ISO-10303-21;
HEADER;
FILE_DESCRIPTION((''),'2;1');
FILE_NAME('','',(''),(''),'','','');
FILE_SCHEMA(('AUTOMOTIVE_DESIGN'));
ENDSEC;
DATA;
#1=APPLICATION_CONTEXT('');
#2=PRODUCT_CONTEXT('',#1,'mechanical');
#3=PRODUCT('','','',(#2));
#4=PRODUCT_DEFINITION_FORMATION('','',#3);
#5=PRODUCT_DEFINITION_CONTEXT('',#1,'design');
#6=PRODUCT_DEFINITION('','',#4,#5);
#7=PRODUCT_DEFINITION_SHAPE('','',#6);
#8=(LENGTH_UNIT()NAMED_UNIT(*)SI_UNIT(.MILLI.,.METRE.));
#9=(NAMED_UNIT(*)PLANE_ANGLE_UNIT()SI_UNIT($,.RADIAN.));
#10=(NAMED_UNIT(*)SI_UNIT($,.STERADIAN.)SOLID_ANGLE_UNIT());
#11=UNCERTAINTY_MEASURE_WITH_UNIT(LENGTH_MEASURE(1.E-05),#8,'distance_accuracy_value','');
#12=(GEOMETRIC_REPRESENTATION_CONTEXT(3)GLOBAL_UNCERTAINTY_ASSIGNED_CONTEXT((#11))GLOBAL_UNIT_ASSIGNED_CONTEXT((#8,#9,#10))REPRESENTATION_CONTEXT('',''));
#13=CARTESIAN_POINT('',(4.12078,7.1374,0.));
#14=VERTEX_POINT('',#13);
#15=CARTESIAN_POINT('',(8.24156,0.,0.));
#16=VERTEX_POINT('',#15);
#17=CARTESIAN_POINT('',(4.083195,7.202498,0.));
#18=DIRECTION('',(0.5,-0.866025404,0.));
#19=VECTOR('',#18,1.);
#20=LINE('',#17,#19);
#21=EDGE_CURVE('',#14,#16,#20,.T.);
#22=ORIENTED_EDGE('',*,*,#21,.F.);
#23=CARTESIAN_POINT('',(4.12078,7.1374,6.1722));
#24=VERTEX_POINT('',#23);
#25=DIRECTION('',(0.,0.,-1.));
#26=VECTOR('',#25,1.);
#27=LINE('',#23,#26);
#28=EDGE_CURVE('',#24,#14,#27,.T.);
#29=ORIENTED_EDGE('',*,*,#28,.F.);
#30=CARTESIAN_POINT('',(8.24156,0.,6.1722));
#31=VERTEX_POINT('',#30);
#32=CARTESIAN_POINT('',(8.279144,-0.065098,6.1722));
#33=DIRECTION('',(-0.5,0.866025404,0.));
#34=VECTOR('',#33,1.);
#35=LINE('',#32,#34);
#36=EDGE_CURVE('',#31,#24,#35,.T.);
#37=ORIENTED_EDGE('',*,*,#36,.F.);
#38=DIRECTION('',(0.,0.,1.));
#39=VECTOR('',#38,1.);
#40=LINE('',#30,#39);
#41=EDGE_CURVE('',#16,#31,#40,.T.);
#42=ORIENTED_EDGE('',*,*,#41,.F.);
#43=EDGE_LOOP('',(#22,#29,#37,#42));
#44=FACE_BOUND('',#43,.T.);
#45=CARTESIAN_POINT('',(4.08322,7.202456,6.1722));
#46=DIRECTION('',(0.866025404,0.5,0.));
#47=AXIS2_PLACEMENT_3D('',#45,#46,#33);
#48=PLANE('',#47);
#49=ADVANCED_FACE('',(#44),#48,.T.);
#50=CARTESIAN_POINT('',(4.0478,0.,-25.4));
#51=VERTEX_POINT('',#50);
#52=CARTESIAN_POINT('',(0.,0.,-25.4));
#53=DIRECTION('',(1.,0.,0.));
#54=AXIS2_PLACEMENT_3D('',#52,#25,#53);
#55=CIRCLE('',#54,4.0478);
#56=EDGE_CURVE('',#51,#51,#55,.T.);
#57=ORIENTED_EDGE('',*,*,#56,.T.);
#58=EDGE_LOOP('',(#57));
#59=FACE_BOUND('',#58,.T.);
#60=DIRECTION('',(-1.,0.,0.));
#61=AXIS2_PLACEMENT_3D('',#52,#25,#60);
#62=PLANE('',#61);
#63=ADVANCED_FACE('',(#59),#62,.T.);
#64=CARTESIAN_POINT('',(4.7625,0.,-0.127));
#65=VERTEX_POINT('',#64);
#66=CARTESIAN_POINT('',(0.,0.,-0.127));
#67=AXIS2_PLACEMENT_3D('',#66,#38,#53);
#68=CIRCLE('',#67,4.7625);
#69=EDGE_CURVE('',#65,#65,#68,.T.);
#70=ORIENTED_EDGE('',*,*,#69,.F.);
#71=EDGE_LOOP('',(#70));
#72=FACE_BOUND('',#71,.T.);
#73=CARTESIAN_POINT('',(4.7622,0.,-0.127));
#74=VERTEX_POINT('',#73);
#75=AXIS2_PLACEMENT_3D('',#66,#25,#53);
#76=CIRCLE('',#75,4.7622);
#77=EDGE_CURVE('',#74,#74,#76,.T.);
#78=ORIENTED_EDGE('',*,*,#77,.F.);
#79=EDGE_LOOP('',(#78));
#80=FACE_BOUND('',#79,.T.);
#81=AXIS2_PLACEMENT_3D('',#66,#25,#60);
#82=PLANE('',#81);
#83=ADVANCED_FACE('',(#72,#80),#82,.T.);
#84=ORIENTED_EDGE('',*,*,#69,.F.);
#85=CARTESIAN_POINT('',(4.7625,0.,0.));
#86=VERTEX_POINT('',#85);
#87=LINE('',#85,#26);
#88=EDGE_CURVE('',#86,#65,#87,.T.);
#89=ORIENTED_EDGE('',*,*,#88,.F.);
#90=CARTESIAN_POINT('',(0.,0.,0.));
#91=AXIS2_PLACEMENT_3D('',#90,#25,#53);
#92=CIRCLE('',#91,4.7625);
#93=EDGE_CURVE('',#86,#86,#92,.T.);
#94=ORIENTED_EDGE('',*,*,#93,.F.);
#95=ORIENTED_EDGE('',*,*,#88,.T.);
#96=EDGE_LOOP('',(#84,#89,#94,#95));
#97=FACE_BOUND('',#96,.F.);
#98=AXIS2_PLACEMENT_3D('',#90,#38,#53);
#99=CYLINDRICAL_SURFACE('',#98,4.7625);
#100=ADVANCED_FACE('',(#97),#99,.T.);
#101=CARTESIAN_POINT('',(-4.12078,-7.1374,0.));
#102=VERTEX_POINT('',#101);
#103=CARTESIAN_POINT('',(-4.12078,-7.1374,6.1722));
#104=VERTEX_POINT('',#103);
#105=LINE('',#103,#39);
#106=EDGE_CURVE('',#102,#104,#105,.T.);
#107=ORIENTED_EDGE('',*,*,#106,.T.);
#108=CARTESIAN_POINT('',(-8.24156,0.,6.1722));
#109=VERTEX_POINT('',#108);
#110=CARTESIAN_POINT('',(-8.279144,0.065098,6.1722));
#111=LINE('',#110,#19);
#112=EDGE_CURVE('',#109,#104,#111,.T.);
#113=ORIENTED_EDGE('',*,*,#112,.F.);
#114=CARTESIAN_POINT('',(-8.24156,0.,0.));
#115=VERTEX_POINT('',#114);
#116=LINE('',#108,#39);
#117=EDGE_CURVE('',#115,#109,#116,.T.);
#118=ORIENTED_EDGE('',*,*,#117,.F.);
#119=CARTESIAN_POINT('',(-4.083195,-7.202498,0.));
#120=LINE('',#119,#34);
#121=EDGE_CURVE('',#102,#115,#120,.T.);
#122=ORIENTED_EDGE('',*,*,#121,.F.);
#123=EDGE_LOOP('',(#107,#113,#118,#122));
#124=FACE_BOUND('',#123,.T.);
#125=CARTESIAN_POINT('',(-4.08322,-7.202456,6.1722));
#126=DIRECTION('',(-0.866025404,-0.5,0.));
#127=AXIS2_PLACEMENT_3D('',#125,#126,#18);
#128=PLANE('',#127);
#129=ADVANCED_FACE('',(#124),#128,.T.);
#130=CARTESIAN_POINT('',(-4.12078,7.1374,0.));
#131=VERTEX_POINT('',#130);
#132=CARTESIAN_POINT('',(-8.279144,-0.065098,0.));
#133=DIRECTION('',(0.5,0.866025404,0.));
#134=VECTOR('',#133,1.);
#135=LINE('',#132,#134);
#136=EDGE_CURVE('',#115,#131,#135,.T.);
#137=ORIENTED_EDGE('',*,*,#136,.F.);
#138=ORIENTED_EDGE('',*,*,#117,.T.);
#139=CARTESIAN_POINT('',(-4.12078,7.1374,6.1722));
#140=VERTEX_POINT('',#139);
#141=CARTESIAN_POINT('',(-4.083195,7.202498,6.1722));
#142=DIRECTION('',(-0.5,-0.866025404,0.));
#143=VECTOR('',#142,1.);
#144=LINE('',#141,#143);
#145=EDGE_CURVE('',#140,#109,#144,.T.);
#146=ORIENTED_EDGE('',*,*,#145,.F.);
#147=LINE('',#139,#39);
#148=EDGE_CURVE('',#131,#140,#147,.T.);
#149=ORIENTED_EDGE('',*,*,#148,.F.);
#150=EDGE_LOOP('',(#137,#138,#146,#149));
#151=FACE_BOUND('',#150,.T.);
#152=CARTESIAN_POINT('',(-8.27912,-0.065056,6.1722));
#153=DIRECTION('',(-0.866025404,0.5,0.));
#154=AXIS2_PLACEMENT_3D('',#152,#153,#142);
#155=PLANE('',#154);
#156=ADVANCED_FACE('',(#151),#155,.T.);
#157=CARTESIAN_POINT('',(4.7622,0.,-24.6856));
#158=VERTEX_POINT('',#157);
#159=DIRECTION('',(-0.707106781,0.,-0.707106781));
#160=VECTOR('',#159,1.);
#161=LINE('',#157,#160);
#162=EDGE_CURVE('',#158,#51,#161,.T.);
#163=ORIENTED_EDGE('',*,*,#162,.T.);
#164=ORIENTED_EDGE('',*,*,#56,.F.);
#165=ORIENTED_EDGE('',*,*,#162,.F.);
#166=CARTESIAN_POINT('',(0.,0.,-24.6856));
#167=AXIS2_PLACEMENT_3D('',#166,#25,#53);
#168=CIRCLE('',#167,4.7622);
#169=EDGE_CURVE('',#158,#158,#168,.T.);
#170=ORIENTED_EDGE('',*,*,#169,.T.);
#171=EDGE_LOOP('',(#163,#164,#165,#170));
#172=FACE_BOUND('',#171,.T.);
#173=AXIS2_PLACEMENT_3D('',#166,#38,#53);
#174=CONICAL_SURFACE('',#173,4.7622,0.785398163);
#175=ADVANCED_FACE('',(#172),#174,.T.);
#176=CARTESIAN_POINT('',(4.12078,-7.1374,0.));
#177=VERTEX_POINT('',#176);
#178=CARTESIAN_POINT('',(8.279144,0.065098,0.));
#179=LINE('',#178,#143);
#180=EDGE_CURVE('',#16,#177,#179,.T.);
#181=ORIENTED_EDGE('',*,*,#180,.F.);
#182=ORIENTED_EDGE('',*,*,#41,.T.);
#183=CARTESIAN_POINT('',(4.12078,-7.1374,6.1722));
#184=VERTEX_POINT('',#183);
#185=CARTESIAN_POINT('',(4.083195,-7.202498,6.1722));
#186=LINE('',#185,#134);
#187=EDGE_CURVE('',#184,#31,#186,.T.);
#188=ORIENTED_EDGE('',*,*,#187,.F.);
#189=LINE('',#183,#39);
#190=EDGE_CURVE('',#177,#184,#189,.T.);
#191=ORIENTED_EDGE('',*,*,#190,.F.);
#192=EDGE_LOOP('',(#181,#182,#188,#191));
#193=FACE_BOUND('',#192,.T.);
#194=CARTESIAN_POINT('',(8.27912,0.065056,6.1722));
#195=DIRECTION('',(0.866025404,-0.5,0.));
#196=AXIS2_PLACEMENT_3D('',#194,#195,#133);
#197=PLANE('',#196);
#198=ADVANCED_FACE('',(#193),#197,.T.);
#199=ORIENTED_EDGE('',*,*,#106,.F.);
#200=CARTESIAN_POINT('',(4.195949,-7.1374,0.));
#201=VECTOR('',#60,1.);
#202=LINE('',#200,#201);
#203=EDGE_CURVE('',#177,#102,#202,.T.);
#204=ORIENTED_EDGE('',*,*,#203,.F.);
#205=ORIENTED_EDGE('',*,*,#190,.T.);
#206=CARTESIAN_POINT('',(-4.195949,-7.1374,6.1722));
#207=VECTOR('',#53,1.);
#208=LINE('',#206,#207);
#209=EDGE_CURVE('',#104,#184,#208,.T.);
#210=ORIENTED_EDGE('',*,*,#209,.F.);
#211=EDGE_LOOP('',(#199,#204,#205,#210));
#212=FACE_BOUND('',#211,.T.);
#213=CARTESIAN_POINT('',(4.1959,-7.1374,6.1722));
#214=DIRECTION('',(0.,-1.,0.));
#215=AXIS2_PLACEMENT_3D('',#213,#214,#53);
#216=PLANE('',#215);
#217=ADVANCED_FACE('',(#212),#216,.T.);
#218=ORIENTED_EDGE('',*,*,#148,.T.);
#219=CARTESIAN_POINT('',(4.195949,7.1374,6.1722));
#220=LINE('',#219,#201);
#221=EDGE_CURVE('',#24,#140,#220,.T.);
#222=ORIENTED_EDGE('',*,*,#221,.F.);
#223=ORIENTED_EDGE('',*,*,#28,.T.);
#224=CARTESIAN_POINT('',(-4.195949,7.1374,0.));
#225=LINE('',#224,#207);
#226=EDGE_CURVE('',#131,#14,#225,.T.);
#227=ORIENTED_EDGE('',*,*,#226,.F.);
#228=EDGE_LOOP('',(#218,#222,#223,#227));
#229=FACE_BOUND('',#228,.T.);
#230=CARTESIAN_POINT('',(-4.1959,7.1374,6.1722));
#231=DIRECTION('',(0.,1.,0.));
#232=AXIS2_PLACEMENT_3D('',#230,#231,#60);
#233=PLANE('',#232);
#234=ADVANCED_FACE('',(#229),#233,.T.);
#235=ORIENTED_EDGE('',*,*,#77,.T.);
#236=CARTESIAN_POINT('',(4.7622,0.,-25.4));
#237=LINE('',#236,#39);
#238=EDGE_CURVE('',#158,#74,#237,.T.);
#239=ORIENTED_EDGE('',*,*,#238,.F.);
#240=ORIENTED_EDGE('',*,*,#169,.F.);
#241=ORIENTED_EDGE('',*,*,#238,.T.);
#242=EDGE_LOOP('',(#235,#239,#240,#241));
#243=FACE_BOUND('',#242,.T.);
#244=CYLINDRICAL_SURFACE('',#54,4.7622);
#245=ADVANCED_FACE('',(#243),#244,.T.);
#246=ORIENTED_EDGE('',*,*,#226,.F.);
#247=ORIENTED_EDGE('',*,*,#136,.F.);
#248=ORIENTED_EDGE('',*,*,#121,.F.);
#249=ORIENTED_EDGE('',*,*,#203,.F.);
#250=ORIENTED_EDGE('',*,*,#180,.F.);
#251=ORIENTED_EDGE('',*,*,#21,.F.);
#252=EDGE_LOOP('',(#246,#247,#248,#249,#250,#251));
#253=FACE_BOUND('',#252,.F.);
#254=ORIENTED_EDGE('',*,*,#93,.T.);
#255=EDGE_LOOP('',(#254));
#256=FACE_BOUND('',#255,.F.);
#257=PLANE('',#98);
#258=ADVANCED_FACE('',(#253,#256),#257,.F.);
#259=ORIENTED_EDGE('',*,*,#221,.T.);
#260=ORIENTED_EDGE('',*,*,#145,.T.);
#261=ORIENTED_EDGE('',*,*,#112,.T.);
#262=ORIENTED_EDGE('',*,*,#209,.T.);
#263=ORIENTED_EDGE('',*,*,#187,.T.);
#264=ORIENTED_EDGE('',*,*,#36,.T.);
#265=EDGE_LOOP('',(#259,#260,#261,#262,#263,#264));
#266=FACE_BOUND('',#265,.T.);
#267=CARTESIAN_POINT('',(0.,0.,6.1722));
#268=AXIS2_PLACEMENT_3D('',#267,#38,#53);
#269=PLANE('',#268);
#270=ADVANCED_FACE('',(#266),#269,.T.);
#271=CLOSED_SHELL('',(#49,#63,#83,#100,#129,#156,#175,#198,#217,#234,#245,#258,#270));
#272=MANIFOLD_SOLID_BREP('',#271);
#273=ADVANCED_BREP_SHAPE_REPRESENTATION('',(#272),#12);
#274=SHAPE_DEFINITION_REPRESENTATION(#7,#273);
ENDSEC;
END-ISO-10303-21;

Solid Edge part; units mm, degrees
sketch "Sketch1" plane through (0, 0, 0) normal (0, 0, 1) x (1, 0, 0)
  circle A0 centre (0, 0) radius 8.2794
  dimension "D1" = 16.5588
extrude "Protrusion1" add sketch "Sketch1" along normal blind 6.1722
sketch "Sketch2" plane through (0, 0, 0) normal (0, 0, -1) x (1, 0, 0)
  circle A0 centre (0, 0) radius 4.7625
extrude "Protrusion2" add sketch "Sketch2" along normal blind 25.4
sketch "Sketch3" plane through (0, 0, -25.4) normal (0, 0, -1) x (1, 0, 0)
  circle A0 centre (0, 0) radius 4.7622
extrude "Cutout1" cut sketch "Sketch3" against normal blind 25.273 flip side to cut
chamfer "Chamfer_1" distance 0.7144 angle 45 1 edges at (-4.7622, 0, -25.4)
sketch "Sketch4" plane through (0, 0, 6.1722) normal (0, 0, 1) x (1, 0, 0)
  line L0 (-4.1959, 7.1374) -> (4.1959, 7.1374)
  dimension "D1" = 14.2748
extrude "Cutout2" cut sketch "Sketch4" against normal up to next material side at (0, 7.1874, 6.1722)
pattern_circular "Pattern1" count 6 over 360 about axis through (0, 0, 6.1722) along (0, 0, 1) of "Cutout2"
properties part number "24100014"
